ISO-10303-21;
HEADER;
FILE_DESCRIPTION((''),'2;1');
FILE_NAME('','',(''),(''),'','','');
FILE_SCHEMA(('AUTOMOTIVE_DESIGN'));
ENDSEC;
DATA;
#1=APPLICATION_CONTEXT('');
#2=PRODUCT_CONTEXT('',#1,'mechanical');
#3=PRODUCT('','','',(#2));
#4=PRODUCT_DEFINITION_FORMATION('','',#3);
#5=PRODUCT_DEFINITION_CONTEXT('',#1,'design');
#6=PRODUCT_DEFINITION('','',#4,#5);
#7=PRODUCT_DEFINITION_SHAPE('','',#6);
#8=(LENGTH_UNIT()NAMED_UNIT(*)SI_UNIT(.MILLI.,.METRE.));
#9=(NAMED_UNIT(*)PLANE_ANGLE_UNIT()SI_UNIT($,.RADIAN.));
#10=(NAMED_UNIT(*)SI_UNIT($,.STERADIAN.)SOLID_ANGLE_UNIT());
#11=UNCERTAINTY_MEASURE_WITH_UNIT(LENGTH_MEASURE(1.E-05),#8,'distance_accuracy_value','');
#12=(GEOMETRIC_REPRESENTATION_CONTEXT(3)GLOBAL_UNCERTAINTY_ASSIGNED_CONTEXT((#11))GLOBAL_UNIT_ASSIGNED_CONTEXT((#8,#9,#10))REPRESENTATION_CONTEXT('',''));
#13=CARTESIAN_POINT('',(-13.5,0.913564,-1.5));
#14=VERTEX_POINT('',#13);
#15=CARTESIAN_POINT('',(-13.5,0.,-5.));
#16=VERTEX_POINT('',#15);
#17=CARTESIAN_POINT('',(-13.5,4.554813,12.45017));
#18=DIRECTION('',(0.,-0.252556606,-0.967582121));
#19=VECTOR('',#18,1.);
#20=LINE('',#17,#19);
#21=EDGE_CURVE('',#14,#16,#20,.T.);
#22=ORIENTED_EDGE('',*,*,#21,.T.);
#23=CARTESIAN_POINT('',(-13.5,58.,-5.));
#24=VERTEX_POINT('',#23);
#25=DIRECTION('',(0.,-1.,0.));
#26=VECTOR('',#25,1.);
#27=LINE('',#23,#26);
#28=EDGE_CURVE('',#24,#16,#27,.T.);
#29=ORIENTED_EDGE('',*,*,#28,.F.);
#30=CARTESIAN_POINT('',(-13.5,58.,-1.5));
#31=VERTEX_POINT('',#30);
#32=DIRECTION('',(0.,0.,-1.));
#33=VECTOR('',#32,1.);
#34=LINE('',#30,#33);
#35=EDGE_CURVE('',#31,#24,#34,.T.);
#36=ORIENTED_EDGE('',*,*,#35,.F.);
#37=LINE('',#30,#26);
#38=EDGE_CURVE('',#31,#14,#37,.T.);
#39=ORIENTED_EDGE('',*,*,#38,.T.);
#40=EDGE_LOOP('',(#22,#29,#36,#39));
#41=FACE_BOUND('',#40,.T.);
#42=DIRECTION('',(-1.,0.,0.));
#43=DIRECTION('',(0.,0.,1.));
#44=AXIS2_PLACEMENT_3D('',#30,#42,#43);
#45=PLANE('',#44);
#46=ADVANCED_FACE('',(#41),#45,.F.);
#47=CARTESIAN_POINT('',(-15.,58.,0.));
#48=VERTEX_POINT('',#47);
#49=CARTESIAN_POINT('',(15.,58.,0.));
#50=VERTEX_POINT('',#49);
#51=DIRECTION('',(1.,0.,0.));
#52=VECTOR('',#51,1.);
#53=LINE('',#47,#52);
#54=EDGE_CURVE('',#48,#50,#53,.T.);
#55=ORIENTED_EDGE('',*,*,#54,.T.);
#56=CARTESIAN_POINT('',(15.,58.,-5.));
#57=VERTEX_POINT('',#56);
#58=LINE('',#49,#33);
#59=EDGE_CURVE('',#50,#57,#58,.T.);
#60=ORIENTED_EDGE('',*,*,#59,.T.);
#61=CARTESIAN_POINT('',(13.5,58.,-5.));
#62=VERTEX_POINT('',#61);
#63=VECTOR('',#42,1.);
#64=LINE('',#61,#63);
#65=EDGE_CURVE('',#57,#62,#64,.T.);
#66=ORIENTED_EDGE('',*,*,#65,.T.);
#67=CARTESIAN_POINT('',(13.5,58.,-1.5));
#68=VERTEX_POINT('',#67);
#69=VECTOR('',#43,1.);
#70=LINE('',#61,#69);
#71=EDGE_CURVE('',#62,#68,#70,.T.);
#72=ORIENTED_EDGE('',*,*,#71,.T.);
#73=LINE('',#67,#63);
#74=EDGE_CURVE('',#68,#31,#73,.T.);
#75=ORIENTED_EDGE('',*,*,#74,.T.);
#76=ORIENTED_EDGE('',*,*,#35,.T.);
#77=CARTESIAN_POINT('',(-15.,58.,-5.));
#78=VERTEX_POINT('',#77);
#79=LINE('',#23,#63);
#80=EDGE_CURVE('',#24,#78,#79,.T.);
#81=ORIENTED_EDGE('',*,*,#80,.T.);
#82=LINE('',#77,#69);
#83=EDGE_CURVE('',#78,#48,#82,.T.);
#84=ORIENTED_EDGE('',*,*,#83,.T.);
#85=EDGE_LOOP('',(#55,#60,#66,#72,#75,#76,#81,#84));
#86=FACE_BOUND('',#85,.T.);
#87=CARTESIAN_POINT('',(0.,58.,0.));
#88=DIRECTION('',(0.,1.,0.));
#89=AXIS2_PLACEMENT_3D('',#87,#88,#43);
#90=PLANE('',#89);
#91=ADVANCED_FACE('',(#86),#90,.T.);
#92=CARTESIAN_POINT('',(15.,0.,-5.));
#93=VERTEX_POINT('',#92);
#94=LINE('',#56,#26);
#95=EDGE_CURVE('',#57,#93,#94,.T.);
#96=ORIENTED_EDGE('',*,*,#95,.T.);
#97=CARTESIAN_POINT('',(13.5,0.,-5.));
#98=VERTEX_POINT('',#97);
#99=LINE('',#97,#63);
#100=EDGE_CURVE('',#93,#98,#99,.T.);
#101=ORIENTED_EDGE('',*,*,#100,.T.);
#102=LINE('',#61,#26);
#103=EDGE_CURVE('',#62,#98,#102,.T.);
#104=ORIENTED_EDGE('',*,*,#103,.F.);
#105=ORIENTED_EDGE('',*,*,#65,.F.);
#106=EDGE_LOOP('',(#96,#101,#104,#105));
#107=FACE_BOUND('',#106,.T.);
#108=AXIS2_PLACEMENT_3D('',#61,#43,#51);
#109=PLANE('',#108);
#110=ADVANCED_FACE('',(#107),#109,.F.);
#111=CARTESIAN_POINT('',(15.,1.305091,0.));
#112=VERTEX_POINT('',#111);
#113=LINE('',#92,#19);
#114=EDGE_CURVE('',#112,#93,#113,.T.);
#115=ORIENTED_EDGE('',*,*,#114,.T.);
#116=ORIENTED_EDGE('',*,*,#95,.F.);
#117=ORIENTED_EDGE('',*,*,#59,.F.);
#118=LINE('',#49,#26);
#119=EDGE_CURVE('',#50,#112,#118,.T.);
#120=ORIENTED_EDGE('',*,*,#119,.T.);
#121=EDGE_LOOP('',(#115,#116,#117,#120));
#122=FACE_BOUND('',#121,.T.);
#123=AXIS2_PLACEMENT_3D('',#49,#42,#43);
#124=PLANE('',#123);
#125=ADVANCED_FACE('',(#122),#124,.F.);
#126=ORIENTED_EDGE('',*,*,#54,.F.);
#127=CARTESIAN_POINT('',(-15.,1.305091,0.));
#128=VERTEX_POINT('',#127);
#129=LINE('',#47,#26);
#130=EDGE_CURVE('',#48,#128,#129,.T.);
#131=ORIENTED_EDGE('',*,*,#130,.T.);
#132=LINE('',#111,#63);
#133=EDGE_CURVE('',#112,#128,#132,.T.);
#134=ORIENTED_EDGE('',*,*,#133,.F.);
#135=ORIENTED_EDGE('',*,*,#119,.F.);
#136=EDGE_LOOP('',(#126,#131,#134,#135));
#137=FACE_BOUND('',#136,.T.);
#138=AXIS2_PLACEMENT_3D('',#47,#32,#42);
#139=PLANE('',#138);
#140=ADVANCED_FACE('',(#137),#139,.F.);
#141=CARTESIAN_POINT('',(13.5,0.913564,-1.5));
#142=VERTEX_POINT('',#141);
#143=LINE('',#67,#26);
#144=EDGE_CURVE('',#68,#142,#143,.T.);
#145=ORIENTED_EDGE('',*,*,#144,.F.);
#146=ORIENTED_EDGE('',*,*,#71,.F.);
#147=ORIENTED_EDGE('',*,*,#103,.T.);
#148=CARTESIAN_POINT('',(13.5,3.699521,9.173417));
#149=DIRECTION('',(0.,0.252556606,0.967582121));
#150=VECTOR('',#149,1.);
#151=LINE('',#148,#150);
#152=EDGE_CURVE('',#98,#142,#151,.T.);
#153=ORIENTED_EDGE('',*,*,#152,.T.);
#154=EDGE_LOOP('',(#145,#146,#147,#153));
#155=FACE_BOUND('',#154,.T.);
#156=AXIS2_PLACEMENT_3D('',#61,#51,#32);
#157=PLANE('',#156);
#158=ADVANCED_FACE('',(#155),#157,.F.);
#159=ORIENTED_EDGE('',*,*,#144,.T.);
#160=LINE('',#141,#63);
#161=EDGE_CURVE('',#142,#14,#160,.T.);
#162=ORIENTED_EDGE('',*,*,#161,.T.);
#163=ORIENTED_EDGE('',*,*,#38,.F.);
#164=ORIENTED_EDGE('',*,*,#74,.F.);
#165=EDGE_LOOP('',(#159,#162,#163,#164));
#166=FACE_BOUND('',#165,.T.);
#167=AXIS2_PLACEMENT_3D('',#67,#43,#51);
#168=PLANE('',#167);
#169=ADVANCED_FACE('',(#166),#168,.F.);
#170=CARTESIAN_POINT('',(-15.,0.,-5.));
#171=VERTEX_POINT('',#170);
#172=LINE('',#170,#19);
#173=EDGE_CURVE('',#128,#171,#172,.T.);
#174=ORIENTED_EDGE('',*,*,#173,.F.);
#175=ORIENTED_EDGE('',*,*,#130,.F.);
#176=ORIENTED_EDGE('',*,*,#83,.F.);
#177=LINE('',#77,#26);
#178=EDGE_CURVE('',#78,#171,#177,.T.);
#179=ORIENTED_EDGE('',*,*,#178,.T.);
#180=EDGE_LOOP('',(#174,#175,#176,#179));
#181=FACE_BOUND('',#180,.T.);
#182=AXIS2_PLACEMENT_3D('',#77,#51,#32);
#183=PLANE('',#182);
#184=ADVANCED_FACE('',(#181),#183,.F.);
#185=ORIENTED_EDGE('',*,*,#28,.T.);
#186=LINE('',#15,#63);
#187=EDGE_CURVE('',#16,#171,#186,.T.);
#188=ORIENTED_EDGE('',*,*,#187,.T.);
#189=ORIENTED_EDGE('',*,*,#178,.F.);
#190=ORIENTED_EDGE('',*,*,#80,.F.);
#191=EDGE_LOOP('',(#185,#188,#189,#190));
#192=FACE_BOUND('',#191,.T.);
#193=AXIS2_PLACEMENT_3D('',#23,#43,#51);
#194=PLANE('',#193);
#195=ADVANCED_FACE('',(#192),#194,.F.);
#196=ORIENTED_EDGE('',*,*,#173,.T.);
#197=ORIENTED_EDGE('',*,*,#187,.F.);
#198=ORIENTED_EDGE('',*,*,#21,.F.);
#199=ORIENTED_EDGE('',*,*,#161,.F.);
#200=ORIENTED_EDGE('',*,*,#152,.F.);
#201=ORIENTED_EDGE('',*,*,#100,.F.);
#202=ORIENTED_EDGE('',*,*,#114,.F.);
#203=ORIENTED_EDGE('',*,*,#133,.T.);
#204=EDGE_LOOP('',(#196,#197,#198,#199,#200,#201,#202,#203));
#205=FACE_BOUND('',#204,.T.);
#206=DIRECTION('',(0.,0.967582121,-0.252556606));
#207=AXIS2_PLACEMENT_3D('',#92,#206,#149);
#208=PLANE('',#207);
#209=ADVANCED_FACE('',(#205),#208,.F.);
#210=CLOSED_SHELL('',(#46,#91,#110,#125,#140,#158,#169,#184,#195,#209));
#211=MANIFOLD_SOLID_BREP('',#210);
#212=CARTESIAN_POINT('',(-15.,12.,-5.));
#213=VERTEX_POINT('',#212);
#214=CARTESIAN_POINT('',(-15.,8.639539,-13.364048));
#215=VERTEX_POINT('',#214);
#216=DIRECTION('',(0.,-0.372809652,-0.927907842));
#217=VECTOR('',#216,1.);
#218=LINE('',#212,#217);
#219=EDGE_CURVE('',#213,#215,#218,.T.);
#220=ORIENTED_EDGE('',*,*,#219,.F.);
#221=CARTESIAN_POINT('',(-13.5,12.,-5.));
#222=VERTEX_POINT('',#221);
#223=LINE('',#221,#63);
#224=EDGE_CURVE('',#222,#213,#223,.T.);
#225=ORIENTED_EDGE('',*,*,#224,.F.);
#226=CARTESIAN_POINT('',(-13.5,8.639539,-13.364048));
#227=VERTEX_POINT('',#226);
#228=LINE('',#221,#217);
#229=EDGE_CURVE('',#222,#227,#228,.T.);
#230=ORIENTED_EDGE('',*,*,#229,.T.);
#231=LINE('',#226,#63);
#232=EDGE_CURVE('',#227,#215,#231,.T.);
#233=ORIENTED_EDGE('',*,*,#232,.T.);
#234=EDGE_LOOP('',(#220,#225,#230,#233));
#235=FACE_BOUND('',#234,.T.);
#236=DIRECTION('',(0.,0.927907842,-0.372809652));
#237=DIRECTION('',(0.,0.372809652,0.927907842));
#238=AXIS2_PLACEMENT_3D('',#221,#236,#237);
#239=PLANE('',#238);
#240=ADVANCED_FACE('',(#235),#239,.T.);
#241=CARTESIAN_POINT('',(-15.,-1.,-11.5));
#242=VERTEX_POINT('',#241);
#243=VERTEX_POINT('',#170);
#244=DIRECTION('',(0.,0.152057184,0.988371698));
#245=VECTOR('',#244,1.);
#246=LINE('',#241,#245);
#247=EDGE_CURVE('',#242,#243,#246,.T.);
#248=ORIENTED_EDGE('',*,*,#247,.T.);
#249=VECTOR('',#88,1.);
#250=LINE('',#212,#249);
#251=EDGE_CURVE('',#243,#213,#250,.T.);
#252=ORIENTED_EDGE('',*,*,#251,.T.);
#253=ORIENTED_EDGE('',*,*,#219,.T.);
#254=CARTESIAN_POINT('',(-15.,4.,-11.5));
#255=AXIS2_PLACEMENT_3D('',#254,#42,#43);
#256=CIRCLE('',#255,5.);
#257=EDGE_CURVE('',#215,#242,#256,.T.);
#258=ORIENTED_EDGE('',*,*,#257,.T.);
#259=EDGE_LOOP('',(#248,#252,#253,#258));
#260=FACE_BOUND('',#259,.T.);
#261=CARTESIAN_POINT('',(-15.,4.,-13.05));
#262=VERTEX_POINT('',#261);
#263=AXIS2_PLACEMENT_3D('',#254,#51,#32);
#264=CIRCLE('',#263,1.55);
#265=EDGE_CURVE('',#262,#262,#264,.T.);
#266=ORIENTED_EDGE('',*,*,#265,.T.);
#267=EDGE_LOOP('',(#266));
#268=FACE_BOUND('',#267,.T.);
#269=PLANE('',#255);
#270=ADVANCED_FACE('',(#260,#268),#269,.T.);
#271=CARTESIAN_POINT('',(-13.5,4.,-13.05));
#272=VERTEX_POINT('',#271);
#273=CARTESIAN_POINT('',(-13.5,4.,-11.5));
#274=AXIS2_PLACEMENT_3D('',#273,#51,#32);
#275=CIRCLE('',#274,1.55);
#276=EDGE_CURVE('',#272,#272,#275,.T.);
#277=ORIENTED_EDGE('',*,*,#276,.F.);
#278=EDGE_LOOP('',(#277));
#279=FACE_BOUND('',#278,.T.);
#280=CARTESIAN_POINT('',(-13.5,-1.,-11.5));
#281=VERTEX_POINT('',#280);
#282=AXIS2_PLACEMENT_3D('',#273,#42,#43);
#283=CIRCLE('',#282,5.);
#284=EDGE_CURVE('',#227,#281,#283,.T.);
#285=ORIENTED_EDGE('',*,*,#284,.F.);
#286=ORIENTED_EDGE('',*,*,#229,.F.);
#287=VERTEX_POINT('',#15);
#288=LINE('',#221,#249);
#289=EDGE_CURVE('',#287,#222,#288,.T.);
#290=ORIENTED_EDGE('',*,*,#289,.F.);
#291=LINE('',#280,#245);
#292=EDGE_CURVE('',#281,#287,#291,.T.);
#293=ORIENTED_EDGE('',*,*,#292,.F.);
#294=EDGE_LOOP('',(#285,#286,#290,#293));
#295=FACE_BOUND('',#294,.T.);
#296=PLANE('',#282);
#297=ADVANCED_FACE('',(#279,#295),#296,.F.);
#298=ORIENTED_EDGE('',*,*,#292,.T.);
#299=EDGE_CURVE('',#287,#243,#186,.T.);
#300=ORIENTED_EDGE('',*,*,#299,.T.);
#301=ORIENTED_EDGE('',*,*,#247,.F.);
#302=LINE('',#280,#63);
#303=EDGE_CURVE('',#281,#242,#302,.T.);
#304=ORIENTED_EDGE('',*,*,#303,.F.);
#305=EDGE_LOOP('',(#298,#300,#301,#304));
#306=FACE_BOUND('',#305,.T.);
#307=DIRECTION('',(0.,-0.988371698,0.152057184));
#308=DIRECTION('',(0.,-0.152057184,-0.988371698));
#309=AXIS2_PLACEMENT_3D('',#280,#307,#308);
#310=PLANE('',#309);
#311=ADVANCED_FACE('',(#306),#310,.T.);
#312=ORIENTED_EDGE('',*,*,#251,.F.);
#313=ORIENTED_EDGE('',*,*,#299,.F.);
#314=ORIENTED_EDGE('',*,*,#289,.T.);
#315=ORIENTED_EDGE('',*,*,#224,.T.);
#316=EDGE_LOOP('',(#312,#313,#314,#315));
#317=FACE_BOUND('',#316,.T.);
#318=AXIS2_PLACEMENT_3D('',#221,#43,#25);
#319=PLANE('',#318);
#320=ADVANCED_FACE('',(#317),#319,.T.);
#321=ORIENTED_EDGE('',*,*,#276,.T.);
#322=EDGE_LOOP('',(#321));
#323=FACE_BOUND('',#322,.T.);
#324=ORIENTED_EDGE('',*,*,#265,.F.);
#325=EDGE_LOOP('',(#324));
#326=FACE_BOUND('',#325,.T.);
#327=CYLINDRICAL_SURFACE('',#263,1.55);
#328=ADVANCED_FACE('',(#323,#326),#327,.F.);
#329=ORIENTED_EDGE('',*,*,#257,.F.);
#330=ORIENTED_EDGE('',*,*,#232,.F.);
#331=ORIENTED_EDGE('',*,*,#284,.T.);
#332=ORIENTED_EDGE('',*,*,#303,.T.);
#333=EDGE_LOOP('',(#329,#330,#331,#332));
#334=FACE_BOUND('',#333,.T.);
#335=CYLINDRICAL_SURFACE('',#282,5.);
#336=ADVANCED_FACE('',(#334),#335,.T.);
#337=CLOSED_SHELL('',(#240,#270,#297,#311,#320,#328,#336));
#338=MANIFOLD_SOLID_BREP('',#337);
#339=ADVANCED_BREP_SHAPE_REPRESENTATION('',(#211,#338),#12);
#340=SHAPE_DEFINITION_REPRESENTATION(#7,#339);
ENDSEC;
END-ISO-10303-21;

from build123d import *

# Parameters (mm, degrees)
EXTRUDE_1_DEPTH     = 58
EXTRUDE_2_DEPTH     = 1.5
SKETCH_3_R          = 1.55
CUT_EXTRUDE_1_DEPTH = 1.5
CUT_EXTRUDE_2_DEPTH = 31


with BuildPart() as part:
    # 草图1 → 凸台-拉伸1 (new body)
    with BuildSketch(Plane(origin=(0, 0, 0), x_dir=(1, 0, 0), z_dir=(0, 1, 0))):
        Polygon((-15, 0), (15, 0), (15, 5), (13.5, 5), (13.5, 1.5), (-13.5, 1.5), (-13.5, 5), (-15, 5), align=None)
    extrude(amount=EXTRUDE_1_DEPTH)

    # 草图4 → 切除-拉伸2 (cut, through all)
    with BuildSketch(Plane.ZY.offset(15)):
        Polygon((-5, 0), (0, 1.305091324), (0, 0), align=None)
    extrude(amount=-CUT_EXTRUDE_2_DEPTH, mode=Mode.SUBTRACT)


with BuildPart() as body_2:
    # 草图2 → 凸台-拉伸2 (new body)
    with BuildSketch(Plane.ZY.offset(15)):
        with BuildLine():
            Line((-5, 12), (-13.364048259, 8.639539211))
            ThreePointArc((-13.364048259, 8.639539211), (-16.409057753, 3.050709753), (-11.5, -1))
            Line((-11.5, -1), (-5, 0))
            Line((-5, 0), (-5, 12))
        make_face()
    extrude(amount=-EXTRUDE_2_DEPTH)

    # 草图3 → 切除-拉伸1 (cut)
    with BuildSketch(Plane(origin=(-13.5, 0, 0), x_dir=(0, 0, -1), z_dir=(1, 0, 0))):
        with Locations((11.5, 4)):
            Circle(SKETCH_3_R)
    extrude(amount=-CUT_EXTRUDE_1_DEPTH, mode=Mode.SUBTRACT)


solid = Compound([part.part, body_2.part])
